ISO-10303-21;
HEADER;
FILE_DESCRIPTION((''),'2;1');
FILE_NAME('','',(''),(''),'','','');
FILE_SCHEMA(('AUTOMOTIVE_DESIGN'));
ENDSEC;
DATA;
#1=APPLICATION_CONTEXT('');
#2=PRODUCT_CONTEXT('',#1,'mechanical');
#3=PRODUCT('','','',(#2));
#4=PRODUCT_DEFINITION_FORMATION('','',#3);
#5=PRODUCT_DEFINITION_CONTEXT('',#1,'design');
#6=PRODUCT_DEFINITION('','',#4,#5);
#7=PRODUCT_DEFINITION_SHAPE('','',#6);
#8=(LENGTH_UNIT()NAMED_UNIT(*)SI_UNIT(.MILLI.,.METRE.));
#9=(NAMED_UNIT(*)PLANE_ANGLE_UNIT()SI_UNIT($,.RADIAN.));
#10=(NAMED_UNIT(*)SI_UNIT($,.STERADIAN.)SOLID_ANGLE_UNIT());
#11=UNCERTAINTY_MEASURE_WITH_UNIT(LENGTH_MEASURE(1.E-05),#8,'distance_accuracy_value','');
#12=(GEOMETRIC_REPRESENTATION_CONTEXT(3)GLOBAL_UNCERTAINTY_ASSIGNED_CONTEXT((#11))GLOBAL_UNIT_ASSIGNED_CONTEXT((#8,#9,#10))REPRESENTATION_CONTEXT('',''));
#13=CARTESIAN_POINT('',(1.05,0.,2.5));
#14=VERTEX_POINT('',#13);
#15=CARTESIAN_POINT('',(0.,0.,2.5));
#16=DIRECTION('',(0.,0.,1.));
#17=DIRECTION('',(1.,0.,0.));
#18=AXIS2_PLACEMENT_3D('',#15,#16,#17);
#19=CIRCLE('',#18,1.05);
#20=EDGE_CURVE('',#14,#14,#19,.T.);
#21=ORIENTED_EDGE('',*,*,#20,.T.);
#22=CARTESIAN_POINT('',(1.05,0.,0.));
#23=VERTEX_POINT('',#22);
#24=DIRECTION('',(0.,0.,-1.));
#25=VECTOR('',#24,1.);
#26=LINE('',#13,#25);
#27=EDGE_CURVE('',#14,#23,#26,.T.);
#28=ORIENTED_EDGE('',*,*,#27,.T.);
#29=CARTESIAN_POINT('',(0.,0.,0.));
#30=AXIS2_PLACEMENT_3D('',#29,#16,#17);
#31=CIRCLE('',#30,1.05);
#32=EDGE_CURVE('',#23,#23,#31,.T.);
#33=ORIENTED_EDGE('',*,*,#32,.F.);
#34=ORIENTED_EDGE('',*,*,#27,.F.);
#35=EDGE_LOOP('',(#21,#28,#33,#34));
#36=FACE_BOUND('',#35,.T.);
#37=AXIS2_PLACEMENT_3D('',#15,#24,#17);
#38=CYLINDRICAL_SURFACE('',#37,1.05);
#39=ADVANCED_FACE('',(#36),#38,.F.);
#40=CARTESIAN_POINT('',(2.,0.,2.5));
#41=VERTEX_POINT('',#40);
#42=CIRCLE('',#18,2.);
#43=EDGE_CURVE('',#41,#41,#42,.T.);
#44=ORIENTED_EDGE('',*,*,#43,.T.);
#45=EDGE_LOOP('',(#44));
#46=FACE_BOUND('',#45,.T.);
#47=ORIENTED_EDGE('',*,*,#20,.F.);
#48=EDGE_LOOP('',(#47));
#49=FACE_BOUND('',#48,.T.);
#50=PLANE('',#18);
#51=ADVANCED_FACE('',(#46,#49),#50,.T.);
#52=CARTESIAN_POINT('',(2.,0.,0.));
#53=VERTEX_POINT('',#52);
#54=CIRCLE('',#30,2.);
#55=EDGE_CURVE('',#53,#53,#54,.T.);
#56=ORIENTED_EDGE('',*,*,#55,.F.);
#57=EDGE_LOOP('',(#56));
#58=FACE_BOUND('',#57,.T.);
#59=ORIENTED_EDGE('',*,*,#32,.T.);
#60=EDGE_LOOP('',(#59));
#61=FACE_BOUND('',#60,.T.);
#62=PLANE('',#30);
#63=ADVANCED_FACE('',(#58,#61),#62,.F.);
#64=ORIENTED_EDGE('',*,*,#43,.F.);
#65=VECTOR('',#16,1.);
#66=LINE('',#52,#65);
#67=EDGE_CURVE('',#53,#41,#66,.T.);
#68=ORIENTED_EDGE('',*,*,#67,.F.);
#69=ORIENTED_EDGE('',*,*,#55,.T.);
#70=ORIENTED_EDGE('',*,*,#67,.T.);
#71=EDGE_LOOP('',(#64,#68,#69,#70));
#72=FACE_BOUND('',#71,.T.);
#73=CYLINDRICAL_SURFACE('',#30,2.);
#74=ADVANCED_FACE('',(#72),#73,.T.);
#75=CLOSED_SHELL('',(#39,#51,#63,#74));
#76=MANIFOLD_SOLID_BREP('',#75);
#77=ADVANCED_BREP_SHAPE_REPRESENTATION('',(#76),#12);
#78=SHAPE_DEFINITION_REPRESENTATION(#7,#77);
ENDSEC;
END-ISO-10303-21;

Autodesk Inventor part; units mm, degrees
ref_plane "YZ Plane" through (0, 0, 0) normal (1, 0, 0) x (0, 1, 0)
ref_plane "XZ Plane" through (0, 0, 0) normal (0, 1, 0) x (-1, 0, 0)
ref_plane "XY Plane" through (0, 0, 0) normal (0, 0, 1) x (1, 0, 0)
sketch "Sketch1" plane through (0, 0, 0) normal (0, 1, 0) x (-1, 0, 0)
  line L0 (0, 0) -> (0, 2.5) construction
  line L1 (-1.05, 0) -> (-2, 0)
  line L2 (-2, 0) -> (-2, 2.5)
  line L3 (-2, 2.5) -> (-1.05, 2.5)
  line L4 (-1.05, 2.5) -> (-1.05, 0)
  dimension "d0" = 2.5
  dimension "d1" = 2.1
  dimension "d2" = 4
revolve "Revolution1" add sketch "Sketch1" angle 360 about axis through (0, 0, 0) along (0, 0, 1)
properties part number "C-2002.5-4" material "Acetal Resin, White"
